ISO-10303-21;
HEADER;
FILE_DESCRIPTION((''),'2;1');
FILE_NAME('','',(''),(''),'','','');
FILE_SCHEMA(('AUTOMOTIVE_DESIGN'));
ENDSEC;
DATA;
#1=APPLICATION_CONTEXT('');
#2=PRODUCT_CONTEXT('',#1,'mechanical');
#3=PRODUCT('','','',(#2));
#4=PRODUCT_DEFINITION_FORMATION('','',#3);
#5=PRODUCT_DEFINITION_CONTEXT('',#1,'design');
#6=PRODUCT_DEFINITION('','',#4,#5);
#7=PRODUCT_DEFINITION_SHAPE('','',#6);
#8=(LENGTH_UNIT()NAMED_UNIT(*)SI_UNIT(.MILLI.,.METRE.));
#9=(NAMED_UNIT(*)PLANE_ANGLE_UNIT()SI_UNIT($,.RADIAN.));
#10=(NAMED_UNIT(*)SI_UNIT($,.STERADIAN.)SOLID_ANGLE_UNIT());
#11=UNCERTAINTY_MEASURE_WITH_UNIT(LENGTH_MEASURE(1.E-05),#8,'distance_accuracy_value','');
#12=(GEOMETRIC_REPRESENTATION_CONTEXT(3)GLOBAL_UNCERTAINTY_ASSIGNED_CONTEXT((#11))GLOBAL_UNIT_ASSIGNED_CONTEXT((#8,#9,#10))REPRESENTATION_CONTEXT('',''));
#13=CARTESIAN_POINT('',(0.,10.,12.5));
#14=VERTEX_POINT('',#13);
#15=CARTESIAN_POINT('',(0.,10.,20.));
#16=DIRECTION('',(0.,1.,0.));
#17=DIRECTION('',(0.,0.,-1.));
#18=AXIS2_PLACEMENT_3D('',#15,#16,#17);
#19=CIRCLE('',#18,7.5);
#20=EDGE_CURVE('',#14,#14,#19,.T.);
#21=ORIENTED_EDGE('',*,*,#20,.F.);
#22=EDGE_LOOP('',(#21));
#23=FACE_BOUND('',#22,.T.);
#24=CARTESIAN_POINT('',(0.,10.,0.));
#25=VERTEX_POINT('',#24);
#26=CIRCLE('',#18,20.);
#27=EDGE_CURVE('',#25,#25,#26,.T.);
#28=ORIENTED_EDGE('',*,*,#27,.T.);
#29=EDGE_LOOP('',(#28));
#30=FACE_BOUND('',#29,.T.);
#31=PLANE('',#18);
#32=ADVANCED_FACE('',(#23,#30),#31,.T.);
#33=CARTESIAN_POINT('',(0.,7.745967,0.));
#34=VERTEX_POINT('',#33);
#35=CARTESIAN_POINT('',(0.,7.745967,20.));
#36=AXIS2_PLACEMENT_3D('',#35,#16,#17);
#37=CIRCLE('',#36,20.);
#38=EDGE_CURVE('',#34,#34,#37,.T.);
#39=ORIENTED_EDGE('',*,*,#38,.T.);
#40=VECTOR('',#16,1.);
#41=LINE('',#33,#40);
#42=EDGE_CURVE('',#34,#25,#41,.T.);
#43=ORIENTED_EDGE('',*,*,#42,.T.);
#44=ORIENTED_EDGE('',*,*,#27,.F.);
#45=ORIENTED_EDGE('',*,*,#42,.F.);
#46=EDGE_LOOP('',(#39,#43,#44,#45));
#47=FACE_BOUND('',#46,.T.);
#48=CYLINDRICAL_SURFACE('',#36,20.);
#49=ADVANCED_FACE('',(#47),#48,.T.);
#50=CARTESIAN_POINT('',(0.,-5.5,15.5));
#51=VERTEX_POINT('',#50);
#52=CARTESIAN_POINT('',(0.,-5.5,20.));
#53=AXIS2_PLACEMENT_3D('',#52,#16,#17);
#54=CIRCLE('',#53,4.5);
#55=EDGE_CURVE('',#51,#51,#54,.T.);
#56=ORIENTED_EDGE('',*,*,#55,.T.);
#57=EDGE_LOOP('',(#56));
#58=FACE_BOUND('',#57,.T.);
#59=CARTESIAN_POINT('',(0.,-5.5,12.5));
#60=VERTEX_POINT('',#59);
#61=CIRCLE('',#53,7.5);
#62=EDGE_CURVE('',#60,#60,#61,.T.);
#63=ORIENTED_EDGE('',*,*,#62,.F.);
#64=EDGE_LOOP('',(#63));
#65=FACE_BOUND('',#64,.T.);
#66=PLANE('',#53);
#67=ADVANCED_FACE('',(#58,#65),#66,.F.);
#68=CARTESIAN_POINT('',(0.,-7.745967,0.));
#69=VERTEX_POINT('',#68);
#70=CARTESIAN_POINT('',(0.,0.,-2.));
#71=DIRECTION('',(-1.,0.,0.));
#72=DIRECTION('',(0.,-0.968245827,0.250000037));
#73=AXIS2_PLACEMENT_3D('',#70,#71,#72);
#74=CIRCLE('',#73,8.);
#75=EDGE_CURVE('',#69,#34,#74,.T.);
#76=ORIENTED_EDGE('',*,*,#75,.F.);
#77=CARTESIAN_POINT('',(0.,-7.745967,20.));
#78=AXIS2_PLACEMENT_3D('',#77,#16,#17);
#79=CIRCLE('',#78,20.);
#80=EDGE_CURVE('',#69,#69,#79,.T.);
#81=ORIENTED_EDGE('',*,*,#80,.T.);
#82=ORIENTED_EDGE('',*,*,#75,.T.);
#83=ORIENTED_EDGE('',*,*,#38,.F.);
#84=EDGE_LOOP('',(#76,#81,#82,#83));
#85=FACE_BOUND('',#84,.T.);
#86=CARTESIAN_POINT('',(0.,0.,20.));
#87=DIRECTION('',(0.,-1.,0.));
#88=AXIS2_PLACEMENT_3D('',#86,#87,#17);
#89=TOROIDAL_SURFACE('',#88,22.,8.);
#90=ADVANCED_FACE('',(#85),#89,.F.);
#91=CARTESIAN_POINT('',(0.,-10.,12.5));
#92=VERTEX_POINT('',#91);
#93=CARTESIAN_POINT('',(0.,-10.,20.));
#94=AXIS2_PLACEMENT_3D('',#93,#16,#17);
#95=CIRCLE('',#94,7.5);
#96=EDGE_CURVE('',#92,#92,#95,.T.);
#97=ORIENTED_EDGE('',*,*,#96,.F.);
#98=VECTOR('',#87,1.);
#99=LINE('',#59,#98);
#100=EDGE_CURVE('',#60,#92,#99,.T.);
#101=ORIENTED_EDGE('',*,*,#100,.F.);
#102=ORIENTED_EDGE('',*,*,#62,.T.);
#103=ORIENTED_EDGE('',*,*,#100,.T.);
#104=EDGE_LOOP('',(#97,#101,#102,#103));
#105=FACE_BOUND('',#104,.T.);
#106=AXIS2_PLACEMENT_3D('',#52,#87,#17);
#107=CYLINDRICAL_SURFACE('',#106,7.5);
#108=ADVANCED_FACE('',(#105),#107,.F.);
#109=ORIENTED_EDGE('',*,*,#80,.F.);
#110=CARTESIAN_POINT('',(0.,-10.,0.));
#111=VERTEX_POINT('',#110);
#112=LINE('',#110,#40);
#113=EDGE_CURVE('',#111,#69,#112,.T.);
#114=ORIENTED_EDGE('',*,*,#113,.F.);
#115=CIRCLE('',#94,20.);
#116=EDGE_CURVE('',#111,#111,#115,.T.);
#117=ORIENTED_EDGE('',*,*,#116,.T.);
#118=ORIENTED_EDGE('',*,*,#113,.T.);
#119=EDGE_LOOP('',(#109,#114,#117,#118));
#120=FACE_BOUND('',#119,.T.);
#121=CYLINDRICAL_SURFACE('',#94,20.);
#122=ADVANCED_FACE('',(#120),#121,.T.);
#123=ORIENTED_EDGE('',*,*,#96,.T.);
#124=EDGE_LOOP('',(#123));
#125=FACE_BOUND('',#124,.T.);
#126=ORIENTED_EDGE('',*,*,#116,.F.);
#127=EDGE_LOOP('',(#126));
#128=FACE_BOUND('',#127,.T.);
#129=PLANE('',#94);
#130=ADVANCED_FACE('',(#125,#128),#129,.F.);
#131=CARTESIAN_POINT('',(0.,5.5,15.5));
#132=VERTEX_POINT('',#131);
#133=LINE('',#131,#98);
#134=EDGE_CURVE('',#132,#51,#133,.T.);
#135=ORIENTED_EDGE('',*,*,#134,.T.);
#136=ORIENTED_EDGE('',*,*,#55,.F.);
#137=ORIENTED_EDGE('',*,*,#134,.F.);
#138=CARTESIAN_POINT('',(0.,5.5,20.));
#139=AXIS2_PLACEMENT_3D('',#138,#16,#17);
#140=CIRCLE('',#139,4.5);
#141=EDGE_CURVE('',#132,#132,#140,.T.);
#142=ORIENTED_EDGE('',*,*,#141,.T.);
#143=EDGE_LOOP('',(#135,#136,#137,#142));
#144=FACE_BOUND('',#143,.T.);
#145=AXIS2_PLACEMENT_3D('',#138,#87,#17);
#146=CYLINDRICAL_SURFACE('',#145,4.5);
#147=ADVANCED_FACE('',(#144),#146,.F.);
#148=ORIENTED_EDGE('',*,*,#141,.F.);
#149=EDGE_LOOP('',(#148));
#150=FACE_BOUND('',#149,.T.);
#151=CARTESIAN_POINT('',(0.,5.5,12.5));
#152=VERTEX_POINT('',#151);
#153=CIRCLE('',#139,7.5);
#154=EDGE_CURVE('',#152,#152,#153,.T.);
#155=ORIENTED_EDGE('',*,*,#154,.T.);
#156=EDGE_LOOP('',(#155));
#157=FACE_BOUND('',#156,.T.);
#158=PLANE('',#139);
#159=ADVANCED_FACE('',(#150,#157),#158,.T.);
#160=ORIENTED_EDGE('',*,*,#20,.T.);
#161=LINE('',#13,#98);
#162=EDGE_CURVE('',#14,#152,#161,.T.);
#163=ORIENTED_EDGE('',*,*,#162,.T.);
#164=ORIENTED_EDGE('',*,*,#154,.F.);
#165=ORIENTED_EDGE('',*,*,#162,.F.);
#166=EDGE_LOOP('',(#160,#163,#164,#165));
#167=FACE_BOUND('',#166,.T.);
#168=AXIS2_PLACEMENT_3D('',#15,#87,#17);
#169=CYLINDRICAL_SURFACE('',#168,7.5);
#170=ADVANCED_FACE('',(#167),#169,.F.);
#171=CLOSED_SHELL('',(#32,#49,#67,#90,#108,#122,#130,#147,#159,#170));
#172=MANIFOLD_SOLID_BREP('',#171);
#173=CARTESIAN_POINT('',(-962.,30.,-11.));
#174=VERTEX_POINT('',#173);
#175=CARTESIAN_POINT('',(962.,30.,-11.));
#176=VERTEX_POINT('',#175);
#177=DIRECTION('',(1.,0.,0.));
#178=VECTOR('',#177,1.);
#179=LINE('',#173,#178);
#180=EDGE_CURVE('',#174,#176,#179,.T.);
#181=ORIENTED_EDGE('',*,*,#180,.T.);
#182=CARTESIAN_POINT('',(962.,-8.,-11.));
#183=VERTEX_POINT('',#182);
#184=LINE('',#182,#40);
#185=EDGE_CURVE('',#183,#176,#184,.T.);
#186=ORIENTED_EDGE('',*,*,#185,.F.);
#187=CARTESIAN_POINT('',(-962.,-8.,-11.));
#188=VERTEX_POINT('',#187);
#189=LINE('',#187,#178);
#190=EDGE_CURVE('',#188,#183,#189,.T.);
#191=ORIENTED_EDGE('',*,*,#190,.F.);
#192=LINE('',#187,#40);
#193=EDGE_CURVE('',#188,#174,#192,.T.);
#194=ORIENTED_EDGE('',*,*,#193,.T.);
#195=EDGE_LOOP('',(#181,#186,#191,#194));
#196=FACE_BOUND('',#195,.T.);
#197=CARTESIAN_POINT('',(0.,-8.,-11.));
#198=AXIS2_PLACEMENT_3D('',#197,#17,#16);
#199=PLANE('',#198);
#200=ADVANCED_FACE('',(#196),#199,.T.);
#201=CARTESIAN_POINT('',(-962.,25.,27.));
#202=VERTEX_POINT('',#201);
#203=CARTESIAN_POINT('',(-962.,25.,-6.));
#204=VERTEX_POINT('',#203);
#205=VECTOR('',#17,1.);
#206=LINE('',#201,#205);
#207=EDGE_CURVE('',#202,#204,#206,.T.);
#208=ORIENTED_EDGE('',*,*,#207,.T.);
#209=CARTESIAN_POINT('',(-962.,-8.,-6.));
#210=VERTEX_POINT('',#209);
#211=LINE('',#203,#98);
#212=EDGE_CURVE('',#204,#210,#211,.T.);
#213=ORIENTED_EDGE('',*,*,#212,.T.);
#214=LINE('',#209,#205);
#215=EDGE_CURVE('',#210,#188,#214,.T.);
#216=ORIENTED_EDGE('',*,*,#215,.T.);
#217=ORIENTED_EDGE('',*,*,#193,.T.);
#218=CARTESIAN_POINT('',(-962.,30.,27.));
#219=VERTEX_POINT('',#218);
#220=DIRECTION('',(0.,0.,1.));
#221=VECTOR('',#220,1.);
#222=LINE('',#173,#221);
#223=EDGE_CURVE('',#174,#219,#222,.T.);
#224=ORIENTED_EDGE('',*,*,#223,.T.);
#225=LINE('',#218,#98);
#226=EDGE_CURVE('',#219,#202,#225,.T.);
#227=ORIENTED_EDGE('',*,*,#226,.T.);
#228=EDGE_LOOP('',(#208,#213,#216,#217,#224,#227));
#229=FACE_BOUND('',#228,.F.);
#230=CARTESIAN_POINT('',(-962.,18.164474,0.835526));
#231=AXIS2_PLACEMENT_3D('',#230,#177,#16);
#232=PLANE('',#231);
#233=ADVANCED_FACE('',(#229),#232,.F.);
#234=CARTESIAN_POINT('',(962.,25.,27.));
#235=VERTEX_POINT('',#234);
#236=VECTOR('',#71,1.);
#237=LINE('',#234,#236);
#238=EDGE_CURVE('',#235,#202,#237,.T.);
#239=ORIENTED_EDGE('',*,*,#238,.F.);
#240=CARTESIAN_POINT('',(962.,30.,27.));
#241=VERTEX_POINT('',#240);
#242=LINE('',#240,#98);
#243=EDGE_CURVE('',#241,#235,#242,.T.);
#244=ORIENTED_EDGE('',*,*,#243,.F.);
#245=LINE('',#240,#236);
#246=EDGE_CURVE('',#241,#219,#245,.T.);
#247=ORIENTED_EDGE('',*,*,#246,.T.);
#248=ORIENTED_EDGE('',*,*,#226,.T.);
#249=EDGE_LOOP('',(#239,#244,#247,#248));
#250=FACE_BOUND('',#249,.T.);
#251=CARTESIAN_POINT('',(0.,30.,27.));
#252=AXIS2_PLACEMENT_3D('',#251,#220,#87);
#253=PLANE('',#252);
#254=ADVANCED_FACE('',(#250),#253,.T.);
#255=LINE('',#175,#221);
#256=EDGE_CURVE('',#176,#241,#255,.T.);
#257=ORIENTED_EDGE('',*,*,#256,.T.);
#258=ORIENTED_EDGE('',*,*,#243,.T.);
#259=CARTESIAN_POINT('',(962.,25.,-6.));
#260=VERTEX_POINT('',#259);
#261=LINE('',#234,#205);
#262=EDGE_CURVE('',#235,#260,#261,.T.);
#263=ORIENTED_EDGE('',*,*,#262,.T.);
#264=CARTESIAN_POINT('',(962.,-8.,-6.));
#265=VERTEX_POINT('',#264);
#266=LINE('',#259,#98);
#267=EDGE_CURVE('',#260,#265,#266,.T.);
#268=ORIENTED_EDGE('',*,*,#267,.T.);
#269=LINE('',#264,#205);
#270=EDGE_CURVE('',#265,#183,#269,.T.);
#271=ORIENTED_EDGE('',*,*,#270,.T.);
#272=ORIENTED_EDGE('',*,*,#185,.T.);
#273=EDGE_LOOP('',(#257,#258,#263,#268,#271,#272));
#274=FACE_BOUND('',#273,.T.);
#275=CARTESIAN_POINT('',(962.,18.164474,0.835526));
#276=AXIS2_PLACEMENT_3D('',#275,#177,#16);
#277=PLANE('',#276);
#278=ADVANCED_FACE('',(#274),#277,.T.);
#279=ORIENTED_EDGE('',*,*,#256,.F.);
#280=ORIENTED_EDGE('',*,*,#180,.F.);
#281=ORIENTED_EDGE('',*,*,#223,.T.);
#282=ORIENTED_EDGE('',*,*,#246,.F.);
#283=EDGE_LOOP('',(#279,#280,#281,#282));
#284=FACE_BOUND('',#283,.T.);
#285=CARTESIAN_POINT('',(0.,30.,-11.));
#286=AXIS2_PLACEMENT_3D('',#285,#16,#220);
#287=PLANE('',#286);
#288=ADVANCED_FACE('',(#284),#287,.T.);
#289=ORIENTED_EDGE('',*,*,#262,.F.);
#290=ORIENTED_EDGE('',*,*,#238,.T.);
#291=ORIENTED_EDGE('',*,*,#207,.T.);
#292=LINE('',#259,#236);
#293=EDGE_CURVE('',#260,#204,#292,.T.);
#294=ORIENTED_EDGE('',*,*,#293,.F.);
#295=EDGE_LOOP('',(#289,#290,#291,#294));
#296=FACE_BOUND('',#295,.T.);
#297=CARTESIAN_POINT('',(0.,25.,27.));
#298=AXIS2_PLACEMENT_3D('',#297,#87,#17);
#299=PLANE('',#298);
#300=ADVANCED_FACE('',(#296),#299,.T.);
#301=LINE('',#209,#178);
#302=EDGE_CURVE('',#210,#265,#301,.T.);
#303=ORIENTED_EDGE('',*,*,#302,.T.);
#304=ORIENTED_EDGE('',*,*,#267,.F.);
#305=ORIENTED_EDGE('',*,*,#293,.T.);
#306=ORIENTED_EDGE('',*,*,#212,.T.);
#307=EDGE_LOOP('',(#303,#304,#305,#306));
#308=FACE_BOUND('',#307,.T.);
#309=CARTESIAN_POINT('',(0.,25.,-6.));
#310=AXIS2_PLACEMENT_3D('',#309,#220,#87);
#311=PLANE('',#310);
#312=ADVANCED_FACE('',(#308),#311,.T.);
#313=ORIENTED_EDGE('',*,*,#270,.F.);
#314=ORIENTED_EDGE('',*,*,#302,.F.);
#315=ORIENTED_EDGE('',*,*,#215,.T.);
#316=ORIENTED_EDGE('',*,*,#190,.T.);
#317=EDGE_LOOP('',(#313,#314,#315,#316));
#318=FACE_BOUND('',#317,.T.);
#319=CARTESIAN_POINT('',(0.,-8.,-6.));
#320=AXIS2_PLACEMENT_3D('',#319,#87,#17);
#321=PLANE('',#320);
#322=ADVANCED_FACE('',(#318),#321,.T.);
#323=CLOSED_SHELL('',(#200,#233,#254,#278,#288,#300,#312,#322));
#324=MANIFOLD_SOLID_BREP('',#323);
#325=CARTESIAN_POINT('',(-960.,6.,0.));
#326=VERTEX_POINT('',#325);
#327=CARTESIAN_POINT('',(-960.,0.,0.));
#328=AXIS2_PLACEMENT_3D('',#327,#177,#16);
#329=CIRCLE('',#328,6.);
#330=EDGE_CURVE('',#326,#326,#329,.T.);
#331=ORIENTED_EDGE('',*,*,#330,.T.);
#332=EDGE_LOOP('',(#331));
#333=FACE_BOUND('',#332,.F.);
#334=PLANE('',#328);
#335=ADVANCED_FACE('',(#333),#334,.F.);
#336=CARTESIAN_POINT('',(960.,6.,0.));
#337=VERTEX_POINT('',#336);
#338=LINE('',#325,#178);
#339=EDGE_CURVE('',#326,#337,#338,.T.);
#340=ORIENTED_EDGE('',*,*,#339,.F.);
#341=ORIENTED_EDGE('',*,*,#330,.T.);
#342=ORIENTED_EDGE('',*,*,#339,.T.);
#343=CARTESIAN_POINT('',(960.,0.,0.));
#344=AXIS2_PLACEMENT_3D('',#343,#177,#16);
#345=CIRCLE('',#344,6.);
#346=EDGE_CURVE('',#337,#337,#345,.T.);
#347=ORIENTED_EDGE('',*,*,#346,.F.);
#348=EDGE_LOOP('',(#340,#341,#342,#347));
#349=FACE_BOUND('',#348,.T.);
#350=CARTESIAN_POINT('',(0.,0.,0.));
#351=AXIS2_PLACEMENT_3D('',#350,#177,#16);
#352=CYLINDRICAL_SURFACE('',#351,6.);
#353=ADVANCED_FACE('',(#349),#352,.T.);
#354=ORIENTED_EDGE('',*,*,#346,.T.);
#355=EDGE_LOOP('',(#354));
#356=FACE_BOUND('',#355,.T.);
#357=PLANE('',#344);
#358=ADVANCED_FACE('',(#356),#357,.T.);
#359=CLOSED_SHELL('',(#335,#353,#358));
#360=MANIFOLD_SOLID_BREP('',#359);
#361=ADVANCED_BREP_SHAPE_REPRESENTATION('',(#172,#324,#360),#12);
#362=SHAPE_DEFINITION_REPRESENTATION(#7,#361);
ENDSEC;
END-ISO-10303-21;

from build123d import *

# Parameters (mm, degrees)
F0_R     = 6
F1_DEPTH = 960
F6_DEPTH = 962


with BuildPart() as f1:
    # F0 (on Right) → F1 (new body, symmetric)
    with BuildSketch(Plane.YZ):
        Circle(F0_R)
    extrude(amount=F1_DEPTH, both=True)


with BuildPart() as f4:
    # F2 (on Right) → F4 (revolve)
    with BuildSketch(Plane.YZ):
        with BuildLine():
            Line((5.5, 15.5), (-5.5, 15.5))
            Line((-5.5, 15.5), (-5.5, 12.5))
            Line((-5.5, 12.5), (-10, 12.5))
            Line((-10, 12.5), (-10, 0))
            Line((-10, 0), (-7.745967, 0))
            ThreePointArc((-7.745967, 0), (0, 6), (7.745967, 0))
            Line((7.745967, 0), (10, 0))
            Line((10, 0), (10, 12.5))
            Line((10, 12.5), (5.5, 12.5))
            Line((5.5, 12.5), (5.5, 15.5))
        make_face()
    revolve(axis=Axis((0, -0.010755, 20), (0, 1, 0)))


with BuildPart() as f6:
    # F5 (on Right) → F6 (new body, symmetric)
    with BuildSketch(Plane.YZ):
        Polygon((25, -6), (-8, -6), (-8, -11), (30, -11), (30, 27), (25, 27), align=None)
    extrude(amount=F6_DEPTH, both=True)


solid = Compound([f1.part, f4.part, f6.part])
